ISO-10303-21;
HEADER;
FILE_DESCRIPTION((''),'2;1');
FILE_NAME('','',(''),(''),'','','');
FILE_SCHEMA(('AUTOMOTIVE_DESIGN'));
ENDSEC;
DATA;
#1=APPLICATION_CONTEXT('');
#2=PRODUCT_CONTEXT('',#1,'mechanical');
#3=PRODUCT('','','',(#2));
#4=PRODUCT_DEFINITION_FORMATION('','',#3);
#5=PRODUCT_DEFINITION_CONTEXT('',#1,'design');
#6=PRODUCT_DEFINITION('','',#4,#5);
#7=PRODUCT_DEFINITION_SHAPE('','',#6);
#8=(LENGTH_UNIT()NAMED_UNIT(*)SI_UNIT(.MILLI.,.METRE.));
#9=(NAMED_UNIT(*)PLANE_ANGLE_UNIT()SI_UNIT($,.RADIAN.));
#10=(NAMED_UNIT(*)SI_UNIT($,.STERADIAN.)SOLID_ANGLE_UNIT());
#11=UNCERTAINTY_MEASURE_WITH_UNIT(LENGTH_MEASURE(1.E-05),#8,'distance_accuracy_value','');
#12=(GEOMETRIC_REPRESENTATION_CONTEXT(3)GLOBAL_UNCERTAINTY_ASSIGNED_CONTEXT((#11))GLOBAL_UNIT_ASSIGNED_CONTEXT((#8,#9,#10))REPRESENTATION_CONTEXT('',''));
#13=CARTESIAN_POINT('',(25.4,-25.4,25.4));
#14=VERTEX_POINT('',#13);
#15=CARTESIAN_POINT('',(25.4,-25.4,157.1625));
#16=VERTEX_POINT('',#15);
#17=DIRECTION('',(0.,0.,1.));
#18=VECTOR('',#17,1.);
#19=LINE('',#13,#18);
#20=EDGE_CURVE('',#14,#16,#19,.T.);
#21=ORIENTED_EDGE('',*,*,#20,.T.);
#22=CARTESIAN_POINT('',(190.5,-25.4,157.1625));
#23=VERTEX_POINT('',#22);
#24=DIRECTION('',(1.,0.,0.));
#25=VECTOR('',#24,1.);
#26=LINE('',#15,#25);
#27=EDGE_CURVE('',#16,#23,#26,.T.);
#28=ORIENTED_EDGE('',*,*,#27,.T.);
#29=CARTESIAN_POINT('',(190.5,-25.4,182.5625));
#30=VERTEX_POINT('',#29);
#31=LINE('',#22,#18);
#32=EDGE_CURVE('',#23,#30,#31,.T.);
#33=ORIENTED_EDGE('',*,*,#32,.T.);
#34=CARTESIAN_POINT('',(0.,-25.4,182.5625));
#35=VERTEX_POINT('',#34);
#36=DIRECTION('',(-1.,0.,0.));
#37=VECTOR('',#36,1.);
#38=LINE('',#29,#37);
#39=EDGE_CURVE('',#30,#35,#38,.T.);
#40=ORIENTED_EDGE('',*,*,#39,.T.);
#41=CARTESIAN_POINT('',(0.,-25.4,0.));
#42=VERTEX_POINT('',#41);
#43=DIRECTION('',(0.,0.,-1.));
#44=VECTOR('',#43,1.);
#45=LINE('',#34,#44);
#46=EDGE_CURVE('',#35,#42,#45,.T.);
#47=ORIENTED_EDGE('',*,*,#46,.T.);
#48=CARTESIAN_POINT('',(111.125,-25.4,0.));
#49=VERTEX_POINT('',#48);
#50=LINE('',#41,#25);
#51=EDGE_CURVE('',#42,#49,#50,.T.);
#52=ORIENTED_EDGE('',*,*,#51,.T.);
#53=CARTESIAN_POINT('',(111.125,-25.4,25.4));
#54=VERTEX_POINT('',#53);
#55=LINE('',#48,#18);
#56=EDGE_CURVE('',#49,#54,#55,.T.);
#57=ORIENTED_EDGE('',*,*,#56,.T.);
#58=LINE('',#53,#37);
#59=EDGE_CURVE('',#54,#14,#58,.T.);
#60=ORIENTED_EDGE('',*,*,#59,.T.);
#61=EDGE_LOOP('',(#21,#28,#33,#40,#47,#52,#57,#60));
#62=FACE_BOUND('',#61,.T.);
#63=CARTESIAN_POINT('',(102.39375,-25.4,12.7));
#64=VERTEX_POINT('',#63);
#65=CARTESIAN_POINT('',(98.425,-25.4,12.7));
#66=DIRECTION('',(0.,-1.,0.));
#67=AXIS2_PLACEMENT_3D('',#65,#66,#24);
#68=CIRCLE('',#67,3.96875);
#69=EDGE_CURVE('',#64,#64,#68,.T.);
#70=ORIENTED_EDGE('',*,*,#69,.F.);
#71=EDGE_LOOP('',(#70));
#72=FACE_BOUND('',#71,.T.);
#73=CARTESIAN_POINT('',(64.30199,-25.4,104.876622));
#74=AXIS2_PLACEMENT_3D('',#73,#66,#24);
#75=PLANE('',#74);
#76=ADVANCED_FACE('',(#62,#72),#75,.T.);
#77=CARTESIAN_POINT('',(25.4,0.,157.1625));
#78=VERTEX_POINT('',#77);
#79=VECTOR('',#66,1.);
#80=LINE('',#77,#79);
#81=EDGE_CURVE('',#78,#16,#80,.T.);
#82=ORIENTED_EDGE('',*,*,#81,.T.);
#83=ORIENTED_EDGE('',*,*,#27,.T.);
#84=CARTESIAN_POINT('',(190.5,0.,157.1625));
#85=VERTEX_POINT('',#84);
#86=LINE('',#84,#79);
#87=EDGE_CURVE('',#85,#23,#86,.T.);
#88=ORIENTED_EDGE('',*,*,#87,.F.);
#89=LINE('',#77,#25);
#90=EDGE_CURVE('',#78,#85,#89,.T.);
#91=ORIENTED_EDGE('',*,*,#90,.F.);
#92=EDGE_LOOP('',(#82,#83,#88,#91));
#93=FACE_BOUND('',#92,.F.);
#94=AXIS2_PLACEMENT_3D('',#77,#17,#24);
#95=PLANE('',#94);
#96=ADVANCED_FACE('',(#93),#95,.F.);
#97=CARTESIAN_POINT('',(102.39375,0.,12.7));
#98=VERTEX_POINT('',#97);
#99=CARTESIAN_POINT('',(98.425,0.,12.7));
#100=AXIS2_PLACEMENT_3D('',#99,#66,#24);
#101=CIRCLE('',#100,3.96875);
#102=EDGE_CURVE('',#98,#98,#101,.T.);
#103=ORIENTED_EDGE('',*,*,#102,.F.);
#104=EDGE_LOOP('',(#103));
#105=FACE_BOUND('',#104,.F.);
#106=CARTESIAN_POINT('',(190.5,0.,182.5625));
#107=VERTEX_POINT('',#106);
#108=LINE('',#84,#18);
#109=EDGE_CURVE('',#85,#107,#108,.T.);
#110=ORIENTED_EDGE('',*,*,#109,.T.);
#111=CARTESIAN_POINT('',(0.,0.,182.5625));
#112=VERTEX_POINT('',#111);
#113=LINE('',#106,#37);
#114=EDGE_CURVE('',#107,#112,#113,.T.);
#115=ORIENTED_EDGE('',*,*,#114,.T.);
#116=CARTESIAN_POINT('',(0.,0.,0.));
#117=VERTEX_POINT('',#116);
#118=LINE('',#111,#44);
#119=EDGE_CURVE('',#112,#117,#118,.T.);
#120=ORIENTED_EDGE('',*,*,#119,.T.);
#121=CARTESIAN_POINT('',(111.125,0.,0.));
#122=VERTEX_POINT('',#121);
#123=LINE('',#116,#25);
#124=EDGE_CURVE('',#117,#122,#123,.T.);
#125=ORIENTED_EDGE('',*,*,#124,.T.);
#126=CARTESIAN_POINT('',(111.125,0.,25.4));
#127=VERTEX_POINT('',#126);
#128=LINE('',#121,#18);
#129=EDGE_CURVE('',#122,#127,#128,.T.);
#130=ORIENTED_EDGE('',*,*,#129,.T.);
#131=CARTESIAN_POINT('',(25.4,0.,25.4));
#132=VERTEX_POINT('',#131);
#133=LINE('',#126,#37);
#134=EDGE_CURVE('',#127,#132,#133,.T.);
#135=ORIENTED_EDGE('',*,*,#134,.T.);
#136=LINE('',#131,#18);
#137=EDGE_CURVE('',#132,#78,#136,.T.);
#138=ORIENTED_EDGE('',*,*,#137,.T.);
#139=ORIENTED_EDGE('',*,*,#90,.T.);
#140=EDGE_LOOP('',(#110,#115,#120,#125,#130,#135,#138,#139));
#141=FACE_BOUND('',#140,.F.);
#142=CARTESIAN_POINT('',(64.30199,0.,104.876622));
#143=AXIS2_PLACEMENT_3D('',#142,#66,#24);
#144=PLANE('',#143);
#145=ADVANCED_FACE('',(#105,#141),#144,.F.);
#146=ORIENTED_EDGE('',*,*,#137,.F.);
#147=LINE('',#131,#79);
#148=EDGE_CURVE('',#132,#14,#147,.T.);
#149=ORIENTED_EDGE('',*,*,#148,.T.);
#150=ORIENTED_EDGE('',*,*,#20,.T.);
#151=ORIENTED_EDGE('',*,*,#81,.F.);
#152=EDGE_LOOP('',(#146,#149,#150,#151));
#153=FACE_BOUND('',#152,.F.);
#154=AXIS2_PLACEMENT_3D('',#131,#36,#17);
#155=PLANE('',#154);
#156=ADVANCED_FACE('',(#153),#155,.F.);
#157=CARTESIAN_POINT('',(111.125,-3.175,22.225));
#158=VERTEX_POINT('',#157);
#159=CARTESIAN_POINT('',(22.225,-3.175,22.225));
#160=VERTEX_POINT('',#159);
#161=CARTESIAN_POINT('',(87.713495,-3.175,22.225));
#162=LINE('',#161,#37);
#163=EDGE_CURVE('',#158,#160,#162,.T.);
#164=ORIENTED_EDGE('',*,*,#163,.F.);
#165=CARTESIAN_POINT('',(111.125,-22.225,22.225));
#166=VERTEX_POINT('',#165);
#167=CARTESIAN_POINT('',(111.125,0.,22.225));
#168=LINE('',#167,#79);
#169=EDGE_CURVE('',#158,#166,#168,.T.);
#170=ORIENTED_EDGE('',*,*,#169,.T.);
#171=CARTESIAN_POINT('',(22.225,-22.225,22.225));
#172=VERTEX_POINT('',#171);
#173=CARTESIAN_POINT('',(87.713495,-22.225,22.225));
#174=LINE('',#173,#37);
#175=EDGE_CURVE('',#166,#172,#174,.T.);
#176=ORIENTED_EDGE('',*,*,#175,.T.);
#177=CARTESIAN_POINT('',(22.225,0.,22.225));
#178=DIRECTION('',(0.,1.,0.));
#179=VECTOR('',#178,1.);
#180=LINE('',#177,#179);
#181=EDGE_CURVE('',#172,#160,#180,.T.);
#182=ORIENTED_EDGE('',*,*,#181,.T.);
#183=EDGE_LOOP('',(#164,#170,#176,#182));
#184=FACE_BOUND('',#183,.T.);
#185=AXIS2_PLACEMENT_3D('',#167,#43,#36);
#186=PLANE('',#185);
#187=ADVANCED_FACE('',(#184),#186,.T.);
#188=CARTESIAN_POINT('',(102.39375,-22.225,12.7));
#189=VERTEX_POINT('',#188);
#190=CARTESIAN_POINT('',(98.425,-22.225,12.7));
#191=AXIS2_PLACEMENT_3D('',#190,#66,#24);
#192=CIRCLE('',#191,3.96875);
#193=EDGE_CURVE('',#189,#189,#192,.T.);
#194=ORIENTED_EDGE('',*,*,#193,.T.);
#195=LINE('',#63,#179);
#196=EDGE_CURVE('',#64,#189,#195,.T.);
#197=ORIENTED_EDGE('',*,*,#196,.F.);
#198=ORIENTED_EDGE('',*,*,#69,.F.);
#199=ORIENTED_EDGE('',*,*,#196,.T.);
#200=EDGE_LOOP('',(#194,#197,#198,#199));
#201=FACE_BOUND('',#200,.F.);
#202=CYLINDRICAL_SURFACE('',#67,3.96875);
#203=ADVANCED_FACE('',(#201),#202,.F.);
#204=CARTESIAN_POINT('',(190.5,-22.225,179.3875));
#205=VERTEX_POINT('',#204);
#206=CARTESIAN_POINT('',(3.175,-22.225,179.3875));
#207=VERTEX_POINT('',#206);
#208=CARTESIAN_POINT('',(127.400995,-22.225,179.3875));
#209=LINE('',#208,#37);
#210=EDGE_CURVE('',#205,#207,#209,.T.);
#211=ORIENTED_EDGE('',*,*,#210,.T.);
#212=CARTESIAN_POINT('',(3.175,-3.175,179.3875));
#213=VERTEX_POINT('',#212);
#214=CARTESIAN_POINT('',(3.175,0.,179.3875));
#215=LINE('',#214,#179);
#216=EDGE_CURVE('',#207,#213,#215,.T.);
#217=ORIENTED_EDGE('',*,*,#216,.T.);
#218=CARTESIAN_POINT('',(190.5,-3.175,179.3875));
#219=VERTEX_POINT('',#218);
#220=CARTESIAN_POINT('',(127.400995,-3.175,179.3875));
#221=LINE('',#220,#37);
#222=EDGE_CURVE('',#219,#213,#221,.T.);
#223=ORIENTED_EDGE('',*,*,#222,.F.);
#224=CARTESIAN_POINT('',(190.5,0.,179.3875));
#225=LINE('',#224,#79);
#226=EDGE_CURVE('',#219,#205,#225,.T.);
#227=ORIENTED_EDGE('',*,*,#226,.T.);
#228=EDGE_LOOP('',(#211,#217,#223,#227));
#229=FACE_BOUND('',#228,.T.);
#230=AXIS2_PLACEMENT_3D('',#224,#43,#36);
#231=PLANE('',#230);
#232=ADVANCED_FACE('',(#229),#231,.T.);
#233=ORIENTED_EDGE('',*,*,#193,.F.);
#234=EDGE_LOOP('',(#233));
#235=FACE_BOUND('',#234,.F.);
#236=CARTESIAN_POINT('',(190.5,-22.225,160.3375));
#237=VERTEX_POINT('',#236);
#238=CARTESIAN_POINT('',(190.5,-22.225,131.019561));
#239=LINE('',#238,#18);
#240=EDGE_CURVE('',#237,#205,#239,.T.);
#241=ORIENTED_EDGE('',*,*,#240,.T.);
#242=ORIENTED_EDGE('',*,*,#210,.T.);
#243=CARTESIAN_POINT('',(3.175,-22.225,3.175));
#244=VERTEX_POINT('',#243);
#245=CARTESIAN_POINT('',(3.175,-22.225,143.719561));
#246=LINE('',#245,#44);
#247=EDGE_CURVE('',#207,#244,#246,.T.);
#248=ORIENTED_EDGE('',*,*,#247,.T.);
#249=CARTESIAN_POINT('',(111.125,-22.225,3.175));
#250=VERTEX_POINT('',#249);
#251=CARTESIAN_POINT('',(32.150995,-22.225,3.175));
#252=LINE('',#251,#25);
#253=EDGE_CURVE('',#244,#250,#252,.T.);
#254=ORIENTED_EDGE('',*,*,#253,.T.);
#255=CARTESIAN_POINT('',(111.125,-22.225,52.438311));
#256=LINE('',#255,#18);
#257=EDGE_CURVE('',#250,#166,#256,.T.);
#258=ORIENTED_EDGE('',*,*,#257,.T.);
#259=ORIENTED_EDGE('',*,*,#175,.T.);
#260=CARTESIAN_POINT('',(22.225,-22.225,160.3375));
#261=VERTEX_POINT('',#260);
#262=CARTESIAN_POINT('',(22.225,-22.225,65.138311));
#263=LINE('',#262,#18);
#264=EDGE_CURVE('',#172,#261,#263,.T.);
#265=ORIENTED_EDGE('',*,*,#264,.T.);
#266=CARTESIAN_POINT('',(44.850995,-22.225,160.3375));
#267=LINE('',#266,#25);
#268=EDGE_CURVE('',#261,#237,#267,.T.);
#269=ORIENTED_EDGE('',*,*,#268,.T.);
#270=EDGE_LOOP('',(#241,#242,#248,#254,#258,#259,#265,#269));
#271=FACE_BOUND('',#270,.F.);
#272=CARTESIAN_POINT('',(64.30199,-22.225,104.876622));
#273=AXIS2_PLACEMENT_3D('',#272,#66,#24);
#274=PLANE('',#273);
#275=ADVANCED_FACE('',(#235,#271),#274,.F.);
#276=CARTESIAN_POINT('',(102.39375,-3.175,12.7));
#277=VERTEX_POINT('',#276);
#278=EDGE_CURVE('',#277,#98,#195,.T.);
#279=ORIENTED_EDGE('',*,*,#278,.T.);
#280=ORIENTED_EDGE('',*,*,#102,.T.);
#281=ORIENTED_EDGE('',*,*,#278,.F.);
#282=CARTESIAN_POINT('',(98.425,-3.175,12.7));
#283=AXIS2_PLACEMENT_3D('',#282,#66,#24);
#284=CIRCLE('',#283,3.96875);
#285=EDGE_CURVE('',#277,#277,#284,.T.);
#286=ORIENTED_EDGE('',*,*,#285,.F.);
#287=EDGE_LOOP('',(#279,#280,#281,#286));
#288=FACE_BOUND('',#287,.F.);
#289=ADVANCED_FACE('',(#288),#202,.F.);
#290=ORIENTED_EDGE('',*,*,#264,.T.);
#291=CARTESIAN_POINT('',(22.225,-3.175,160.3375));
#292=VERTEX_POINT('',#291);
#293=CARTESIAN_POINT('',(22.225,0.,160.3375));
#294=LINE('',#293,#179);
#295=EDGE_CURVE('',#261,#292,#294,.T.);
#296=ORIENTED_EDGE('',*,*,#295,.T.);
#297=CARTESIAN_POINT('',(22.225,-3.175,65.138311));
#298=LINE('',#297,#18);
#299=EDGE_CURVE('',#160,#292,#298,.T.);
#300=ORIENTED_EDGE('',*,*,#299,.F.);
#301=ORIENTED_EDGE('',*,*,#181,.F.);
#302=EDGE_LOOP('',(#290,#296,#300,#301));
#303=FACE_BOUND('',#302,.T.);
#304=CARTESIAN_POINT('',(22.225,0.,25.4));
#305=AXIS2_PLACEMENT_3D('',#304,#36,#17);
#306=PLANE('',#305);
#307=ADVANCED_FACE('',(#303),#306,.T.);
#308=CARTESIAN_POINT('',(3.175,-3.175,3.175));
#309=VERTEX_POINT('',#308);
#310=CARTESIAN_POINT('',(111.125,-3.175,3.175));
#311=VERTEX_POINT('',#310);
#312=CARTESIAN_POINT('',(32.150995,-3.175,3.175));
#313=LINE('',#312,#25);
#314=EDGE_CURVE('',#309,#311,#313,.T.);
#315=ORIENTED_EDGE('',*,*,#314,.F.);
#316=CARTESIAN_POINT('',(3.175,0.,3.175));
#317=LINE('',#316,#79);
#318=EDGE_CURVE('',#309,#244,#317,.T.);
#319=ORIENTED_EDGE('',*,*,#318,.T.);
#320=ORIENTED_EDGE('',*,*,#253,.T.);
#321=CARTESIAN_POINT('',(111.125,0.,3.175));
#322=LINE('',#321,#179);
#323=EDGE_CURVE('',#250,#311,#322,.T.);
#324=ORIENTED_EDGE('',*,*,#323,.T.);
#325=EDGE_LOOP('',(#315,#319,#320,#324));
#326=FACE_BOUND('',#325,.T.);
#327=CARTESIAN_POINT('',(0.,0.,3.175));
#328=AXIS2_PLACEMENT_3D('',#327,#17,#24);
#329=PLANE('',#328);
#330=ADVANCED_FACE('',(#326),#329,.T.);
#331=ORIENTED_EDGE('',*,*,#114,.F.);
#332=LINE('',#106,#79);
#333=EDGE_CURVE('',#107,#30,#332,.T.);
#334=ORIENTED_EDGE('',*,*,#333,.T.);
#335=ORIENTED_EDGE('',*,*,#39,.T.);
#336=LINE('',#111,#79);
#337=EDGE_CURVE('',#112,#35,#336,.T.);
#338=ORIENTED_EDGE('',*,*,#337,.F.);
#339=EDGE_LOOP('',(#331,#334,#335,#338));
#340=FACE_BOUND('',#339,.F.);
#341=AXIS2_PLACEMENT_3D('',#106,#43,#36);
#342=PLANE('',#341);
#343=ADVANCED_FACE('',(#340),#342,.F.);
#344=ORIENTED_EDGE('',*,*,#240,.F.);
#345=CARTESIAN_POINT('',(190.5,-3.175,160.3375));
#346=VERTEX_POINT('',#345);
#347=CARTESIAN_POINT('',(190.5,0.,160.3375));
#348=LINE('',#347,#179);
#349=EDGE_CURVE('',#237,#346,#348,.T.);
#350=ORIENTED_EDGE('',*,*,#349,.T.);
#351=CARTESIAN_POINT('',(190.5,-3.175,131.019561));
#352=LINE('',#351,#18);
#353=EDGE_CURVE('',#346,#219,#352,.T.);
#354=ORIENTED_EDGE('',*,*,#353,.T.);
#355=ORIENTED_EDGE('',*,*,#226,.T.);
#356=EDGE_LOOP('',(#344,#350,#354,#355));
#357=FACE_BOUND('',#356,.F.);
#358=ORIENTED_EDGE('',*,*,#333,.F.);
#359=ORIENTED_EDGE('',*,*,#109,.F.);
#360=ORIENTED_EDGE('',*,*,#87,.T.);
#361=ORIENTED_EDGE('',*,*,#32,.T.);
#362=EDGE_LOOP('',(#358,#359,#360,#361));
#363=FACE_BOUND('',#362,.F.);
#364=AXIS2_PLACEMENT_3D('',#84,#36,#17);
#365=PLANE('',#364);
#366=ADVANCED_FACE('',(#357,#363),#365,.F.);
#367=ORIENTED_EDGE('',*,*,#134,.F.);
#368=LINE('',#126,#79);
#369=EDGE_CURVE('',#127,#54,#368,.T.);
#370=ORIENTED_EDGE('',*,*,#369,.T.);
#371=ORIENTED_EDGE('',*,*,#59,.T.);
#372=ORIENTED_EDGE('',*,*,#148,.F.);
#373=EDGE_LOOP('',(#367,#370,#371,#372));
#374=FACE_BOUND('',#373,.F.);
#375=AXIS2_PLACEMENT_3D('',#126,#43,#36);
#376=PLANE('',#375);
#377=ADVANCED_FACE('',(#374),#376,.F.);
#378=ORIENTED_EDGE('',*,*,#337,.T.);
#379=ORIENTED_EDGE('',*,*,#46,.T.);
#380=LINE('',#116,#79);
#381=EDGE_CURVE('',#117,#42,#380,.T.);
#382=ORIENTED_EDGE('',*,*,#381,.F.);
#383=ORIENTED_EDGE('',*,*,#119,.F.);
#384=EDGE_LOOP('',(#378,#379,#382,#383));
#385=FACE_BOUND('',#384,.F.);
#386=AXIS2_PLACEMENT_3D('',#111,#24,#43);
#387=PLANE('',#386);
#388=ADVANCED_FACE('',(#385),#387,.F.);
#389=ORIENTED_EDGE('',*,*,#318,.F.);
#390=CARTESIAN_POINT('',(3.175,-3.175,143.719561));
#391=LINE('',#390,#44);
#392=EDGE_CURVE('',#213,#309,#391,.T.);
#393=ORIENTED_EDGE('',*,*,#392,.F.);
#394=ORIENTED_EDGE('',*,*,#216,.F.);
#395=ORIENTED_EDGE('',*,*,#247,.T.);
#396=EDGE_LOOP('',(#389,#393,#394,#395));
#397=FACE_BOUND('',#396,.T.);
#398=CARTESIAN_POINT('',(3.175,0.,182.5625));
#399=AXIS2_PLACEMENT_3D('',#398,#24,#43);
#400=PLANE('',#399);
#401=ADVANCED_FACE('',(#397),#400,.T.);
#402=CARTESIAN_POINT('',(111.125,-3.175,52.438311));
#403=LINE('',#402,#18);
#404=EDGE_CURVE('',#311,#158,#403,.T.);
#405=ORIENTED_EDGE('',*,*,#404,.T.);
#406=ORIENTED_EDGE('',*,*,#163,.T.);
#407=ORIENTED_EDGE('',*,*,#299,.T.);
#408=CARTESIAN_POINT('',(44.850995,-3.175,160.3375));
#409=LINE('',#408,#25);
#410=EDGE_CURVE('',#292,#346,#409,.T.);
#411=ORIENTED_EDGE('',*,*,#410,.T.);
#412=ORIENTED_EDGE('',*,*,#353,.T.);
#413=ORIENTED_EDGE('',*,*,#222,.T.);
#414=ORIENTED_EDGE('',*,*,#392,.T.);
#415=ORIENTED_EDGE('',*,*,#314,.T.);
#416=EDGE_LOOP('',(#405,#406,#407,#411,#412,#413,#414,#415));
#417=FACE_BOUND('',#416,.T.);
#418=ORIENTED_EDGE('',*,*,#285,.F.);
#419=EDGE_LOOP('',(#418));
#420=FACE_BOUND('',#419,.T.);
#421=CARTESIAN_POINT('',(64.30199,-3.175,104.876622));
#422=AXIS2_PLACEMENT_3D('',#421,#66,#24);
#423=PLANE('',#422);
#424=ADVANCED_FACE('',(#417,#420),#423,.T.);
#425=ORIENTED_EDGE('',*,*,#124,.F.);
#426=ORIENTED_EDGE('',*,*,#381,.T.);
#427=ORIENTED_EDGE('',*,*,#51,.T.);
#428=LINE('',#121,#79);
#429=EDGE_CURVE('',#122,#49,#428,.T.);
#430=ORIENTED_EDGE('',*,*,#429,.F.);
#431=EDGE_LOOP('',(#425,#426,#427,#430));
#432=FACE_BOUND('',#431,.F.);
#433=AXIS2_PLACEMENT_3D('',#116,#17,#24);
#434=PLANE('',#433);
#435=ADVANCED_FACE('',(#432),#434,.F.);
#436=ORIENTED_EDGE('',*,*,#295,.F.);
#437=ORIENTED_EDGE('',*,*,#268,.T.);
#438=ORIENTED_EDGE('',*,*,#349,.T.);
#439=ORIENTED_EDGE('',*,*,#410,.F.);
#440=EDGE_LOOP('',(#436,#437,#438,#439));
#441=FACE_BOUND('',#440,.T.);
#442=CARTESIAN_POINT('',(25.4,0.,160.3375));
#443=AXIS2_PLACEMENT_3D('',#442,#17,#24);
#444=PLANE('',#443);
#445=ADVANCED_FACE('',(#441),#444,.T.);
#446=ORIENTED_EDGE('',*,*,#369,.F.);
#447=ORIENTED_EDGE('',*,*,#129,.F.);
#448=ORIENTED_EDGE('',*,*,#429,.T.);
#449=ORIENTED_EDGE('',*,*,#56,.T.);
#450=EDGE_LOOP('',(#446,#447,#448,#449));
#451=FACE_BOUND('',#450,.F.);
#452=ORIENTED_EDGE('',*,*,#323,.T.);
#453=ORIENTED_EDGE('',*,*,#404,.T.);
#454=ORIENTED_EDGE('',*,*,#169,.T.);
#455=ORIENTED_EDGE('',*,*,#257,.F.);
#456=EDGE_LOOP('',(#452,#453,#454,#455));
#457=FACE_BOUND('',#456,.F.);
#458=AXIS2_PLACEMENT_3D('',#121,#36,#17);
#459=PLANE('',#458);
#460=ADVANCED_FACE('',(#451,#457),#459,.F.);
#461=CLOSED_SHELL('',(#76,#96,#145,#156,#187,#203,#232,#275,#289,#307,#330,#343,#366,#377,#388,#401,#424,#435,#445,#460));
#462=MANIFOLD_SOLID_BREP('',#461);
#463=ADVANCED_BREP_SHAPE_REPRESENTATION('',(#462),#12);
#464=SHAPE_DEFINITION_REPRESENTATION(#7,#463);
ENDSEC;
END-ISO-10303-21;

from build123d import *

# Parameters (mm, degrees)
F1_DEPTH = 25.4
F2_T     = -3.175
F3_R     = 3.96875
F4_DEPTH = 25.4


with BuildPart() as f1:
    # F0 (on Front) → F1 (new body)
    with BuildSketch(Plane.XZ):
        Polygon((0, 182.5625), (0, 0), (111.125, 0), (111.125, 25.4), (25.4, 25.4), (25.4, 157.1625), (190.5, 157.1625), (190.5, 182.5625), align=None)
    extrude(amount=F1_DEPTH)

    # F2
    f2_openings = [f1.faces().sort_by_distance(p)[0] for p in [
        (190.5, -12.7, 169.8625),
        (111.125, -12.7, 12.7),
    ]]
    offset(amount=F2_T, openings=f2_openings, kind=Kind.INTERSECTION)

    # F3 (on face) → F4 (cut)
    with BuildSketch(Plane.XZ.offset(25.4)):
        with Locations((98.425, 12.7)):
            Circle(F3_R)
    extrude(amount=-F4_DEPTH, mode=Mode.SUBTRACT)


solid = f1.part
